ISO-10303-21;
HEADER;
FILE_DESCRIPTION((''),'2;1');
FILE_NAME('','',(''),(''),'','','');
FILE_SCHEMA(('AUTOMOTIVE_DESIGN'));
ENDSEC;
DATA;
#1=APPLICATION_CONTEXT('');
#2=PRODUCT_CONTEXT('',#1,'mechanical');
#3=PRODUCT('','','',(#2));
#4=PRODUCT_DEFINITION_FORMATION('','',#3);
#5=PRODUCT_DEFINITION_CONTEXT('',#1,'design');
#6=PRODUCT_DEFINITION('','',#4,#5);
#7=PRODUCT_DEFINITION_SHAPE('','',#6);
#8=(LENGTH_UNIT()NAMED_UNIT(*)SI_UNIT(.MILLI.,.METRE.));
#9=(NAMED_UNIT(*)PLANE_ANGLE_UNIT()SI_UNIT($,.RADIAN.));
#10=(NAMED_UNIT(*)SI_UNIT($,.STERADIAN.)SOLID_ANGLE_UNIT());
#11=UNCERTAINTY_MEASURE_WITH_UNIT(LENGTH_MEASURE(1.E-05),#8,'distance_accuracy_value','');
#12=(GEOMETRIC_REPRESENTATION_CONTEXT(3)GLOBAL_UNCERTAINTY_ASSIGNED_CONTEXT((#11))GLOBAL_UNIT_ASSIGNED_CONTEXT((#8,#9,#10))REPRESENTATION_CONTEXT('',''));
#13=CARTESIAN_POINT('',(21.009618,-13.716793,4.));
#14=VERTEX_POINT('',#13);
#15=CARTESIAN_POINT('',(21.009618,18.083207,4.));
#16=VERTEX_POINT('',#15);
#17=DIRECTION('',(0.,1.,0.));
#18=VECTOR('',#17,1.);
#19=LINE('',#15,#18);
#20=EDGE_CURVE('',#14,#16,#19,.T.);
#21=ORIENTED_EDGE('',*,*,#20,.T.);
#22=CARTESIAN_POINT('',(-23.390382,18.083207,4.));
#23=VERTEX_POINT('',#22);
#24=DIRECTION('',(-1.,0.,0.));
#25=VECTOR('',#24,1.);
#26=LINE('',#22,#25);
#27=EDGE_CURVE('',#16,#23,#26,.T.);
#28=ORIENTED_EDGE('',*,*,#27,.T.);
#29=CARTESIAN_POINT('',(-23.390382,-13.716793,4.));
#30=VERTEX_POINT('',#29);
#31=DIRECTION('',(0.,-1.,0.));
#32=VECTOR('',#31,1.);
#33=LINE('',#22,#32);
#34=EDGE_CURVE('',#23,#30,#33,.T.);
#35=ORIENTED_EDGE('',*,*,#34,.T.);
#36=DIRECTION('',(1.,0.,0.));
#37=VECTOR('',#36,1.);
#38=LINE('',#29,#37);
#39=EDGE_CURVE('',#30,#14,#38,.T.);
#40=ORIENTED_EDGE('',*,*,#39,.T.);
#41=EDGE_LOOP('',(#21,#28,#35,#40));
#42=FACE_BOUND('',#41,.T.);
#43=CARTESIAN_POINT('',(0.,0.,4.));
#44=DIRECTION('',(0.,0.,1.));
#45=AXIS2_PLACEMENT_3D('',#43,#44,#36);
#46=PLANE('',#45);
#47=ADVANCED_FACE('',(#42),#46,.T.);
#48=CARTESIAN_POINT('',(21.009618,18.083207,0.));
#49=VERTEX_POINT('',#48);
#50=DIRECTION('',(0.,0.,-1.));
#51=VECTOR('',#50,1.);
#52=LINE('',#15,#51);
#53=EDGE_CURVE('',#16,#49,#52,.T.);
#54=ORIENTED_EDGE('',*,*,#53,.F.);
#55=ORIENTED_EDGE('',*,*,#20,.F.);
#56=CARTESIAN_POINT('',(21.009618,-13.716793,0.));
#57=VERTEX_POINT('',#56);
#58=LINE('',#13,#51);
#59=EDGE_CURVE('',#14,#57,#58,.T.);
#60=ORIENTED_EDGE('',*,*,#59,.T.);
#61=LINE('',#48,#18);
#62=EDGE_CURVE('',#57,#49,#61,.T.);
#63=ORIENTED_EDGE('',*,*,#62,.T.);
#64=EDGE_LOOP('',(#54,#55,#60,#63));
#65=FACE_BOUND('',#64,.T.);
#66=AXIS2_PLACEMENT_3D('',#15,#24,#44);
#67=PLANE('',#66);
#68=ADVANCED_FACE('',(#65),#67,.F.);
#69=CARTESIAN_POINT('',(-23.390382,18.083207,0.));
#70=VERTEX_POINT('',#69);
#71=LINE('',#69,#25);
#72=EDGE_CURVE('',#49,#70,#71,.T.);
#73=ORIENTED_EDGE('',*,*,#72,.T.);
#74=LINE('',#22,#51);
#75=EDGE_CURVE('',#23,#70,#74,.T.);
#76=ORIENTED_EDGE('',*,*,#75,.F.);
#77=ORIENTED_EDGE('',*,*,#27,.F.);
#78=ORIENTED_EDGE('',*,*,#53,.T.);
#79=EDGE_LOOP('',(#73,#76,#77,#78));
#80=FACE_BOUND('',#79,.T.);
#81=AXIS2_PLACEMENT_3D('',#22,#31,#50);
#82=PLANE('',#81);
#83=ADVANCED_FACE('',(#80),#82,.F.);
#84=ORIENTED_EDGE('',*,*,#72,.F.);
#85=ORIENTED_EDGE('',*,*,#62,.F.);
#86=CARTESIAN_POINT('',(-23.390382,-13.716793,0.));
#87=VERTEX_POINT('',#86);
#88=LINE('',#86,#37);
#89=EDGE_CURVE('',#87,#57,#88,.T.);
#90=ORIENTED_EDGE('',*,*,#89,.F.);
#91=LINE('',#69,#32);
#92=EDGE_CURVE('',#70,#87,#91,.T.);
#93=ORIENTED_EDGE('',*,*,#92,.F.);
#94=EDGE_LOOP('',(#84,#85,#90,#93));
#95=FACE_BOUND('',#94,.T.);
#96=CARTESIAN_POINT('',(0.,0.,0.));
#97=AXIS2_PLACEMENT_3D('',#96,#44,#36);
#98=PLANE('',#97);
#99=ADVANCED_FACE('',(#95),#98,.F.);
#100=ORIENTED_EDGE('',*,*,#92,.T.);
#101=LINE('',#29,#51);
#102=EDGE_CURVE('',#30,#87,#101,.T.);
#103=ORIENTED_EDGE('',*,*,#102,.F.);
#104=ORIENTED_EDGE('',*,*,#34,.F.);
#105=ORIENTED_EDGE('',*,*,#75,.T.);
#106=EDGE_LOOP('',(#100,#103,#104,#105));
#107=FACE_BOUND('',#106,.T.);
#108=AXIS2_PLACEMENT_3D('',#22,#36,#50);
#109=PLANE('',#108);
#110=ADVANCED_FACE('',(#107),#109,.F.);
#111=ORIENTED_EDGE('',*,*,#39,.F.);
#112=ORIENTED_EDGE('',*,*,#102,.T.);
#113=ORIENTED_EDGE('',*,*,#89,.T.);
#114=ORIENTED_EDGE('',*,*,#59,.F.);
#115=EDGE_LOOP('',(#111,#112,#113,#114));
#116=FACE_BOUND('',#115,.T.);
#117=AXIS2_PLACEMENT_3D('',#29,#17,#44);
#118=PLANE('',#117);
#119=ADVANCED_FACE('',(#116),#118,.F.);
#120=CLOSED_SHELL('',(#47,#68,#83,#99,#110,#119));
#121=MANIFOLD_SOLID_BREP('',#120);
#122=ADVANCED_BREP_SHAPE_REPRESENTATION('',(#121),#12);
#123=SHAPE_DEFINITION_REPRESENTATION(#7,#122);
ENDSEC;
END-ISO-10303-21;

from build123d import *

# Parameters (mm, degrees)
SKETCH1_W           = 44.4
SKETCH1_H           = 31.8
BOSS_EXTRUDE2_DEPTH = 4


with BuildPart() as part:
    # Sketch1 → Boss-Extrude2 (new body)
    with BuildSketch(Plane.XY):
        with Locations((-1.190382364, 2.18320694)):
            Rectangle(SKETCH1_W, SKETCH1_H)
    extrude(amount=BOSS_EXTRUDE2_DEPTH)


solid = part.part
